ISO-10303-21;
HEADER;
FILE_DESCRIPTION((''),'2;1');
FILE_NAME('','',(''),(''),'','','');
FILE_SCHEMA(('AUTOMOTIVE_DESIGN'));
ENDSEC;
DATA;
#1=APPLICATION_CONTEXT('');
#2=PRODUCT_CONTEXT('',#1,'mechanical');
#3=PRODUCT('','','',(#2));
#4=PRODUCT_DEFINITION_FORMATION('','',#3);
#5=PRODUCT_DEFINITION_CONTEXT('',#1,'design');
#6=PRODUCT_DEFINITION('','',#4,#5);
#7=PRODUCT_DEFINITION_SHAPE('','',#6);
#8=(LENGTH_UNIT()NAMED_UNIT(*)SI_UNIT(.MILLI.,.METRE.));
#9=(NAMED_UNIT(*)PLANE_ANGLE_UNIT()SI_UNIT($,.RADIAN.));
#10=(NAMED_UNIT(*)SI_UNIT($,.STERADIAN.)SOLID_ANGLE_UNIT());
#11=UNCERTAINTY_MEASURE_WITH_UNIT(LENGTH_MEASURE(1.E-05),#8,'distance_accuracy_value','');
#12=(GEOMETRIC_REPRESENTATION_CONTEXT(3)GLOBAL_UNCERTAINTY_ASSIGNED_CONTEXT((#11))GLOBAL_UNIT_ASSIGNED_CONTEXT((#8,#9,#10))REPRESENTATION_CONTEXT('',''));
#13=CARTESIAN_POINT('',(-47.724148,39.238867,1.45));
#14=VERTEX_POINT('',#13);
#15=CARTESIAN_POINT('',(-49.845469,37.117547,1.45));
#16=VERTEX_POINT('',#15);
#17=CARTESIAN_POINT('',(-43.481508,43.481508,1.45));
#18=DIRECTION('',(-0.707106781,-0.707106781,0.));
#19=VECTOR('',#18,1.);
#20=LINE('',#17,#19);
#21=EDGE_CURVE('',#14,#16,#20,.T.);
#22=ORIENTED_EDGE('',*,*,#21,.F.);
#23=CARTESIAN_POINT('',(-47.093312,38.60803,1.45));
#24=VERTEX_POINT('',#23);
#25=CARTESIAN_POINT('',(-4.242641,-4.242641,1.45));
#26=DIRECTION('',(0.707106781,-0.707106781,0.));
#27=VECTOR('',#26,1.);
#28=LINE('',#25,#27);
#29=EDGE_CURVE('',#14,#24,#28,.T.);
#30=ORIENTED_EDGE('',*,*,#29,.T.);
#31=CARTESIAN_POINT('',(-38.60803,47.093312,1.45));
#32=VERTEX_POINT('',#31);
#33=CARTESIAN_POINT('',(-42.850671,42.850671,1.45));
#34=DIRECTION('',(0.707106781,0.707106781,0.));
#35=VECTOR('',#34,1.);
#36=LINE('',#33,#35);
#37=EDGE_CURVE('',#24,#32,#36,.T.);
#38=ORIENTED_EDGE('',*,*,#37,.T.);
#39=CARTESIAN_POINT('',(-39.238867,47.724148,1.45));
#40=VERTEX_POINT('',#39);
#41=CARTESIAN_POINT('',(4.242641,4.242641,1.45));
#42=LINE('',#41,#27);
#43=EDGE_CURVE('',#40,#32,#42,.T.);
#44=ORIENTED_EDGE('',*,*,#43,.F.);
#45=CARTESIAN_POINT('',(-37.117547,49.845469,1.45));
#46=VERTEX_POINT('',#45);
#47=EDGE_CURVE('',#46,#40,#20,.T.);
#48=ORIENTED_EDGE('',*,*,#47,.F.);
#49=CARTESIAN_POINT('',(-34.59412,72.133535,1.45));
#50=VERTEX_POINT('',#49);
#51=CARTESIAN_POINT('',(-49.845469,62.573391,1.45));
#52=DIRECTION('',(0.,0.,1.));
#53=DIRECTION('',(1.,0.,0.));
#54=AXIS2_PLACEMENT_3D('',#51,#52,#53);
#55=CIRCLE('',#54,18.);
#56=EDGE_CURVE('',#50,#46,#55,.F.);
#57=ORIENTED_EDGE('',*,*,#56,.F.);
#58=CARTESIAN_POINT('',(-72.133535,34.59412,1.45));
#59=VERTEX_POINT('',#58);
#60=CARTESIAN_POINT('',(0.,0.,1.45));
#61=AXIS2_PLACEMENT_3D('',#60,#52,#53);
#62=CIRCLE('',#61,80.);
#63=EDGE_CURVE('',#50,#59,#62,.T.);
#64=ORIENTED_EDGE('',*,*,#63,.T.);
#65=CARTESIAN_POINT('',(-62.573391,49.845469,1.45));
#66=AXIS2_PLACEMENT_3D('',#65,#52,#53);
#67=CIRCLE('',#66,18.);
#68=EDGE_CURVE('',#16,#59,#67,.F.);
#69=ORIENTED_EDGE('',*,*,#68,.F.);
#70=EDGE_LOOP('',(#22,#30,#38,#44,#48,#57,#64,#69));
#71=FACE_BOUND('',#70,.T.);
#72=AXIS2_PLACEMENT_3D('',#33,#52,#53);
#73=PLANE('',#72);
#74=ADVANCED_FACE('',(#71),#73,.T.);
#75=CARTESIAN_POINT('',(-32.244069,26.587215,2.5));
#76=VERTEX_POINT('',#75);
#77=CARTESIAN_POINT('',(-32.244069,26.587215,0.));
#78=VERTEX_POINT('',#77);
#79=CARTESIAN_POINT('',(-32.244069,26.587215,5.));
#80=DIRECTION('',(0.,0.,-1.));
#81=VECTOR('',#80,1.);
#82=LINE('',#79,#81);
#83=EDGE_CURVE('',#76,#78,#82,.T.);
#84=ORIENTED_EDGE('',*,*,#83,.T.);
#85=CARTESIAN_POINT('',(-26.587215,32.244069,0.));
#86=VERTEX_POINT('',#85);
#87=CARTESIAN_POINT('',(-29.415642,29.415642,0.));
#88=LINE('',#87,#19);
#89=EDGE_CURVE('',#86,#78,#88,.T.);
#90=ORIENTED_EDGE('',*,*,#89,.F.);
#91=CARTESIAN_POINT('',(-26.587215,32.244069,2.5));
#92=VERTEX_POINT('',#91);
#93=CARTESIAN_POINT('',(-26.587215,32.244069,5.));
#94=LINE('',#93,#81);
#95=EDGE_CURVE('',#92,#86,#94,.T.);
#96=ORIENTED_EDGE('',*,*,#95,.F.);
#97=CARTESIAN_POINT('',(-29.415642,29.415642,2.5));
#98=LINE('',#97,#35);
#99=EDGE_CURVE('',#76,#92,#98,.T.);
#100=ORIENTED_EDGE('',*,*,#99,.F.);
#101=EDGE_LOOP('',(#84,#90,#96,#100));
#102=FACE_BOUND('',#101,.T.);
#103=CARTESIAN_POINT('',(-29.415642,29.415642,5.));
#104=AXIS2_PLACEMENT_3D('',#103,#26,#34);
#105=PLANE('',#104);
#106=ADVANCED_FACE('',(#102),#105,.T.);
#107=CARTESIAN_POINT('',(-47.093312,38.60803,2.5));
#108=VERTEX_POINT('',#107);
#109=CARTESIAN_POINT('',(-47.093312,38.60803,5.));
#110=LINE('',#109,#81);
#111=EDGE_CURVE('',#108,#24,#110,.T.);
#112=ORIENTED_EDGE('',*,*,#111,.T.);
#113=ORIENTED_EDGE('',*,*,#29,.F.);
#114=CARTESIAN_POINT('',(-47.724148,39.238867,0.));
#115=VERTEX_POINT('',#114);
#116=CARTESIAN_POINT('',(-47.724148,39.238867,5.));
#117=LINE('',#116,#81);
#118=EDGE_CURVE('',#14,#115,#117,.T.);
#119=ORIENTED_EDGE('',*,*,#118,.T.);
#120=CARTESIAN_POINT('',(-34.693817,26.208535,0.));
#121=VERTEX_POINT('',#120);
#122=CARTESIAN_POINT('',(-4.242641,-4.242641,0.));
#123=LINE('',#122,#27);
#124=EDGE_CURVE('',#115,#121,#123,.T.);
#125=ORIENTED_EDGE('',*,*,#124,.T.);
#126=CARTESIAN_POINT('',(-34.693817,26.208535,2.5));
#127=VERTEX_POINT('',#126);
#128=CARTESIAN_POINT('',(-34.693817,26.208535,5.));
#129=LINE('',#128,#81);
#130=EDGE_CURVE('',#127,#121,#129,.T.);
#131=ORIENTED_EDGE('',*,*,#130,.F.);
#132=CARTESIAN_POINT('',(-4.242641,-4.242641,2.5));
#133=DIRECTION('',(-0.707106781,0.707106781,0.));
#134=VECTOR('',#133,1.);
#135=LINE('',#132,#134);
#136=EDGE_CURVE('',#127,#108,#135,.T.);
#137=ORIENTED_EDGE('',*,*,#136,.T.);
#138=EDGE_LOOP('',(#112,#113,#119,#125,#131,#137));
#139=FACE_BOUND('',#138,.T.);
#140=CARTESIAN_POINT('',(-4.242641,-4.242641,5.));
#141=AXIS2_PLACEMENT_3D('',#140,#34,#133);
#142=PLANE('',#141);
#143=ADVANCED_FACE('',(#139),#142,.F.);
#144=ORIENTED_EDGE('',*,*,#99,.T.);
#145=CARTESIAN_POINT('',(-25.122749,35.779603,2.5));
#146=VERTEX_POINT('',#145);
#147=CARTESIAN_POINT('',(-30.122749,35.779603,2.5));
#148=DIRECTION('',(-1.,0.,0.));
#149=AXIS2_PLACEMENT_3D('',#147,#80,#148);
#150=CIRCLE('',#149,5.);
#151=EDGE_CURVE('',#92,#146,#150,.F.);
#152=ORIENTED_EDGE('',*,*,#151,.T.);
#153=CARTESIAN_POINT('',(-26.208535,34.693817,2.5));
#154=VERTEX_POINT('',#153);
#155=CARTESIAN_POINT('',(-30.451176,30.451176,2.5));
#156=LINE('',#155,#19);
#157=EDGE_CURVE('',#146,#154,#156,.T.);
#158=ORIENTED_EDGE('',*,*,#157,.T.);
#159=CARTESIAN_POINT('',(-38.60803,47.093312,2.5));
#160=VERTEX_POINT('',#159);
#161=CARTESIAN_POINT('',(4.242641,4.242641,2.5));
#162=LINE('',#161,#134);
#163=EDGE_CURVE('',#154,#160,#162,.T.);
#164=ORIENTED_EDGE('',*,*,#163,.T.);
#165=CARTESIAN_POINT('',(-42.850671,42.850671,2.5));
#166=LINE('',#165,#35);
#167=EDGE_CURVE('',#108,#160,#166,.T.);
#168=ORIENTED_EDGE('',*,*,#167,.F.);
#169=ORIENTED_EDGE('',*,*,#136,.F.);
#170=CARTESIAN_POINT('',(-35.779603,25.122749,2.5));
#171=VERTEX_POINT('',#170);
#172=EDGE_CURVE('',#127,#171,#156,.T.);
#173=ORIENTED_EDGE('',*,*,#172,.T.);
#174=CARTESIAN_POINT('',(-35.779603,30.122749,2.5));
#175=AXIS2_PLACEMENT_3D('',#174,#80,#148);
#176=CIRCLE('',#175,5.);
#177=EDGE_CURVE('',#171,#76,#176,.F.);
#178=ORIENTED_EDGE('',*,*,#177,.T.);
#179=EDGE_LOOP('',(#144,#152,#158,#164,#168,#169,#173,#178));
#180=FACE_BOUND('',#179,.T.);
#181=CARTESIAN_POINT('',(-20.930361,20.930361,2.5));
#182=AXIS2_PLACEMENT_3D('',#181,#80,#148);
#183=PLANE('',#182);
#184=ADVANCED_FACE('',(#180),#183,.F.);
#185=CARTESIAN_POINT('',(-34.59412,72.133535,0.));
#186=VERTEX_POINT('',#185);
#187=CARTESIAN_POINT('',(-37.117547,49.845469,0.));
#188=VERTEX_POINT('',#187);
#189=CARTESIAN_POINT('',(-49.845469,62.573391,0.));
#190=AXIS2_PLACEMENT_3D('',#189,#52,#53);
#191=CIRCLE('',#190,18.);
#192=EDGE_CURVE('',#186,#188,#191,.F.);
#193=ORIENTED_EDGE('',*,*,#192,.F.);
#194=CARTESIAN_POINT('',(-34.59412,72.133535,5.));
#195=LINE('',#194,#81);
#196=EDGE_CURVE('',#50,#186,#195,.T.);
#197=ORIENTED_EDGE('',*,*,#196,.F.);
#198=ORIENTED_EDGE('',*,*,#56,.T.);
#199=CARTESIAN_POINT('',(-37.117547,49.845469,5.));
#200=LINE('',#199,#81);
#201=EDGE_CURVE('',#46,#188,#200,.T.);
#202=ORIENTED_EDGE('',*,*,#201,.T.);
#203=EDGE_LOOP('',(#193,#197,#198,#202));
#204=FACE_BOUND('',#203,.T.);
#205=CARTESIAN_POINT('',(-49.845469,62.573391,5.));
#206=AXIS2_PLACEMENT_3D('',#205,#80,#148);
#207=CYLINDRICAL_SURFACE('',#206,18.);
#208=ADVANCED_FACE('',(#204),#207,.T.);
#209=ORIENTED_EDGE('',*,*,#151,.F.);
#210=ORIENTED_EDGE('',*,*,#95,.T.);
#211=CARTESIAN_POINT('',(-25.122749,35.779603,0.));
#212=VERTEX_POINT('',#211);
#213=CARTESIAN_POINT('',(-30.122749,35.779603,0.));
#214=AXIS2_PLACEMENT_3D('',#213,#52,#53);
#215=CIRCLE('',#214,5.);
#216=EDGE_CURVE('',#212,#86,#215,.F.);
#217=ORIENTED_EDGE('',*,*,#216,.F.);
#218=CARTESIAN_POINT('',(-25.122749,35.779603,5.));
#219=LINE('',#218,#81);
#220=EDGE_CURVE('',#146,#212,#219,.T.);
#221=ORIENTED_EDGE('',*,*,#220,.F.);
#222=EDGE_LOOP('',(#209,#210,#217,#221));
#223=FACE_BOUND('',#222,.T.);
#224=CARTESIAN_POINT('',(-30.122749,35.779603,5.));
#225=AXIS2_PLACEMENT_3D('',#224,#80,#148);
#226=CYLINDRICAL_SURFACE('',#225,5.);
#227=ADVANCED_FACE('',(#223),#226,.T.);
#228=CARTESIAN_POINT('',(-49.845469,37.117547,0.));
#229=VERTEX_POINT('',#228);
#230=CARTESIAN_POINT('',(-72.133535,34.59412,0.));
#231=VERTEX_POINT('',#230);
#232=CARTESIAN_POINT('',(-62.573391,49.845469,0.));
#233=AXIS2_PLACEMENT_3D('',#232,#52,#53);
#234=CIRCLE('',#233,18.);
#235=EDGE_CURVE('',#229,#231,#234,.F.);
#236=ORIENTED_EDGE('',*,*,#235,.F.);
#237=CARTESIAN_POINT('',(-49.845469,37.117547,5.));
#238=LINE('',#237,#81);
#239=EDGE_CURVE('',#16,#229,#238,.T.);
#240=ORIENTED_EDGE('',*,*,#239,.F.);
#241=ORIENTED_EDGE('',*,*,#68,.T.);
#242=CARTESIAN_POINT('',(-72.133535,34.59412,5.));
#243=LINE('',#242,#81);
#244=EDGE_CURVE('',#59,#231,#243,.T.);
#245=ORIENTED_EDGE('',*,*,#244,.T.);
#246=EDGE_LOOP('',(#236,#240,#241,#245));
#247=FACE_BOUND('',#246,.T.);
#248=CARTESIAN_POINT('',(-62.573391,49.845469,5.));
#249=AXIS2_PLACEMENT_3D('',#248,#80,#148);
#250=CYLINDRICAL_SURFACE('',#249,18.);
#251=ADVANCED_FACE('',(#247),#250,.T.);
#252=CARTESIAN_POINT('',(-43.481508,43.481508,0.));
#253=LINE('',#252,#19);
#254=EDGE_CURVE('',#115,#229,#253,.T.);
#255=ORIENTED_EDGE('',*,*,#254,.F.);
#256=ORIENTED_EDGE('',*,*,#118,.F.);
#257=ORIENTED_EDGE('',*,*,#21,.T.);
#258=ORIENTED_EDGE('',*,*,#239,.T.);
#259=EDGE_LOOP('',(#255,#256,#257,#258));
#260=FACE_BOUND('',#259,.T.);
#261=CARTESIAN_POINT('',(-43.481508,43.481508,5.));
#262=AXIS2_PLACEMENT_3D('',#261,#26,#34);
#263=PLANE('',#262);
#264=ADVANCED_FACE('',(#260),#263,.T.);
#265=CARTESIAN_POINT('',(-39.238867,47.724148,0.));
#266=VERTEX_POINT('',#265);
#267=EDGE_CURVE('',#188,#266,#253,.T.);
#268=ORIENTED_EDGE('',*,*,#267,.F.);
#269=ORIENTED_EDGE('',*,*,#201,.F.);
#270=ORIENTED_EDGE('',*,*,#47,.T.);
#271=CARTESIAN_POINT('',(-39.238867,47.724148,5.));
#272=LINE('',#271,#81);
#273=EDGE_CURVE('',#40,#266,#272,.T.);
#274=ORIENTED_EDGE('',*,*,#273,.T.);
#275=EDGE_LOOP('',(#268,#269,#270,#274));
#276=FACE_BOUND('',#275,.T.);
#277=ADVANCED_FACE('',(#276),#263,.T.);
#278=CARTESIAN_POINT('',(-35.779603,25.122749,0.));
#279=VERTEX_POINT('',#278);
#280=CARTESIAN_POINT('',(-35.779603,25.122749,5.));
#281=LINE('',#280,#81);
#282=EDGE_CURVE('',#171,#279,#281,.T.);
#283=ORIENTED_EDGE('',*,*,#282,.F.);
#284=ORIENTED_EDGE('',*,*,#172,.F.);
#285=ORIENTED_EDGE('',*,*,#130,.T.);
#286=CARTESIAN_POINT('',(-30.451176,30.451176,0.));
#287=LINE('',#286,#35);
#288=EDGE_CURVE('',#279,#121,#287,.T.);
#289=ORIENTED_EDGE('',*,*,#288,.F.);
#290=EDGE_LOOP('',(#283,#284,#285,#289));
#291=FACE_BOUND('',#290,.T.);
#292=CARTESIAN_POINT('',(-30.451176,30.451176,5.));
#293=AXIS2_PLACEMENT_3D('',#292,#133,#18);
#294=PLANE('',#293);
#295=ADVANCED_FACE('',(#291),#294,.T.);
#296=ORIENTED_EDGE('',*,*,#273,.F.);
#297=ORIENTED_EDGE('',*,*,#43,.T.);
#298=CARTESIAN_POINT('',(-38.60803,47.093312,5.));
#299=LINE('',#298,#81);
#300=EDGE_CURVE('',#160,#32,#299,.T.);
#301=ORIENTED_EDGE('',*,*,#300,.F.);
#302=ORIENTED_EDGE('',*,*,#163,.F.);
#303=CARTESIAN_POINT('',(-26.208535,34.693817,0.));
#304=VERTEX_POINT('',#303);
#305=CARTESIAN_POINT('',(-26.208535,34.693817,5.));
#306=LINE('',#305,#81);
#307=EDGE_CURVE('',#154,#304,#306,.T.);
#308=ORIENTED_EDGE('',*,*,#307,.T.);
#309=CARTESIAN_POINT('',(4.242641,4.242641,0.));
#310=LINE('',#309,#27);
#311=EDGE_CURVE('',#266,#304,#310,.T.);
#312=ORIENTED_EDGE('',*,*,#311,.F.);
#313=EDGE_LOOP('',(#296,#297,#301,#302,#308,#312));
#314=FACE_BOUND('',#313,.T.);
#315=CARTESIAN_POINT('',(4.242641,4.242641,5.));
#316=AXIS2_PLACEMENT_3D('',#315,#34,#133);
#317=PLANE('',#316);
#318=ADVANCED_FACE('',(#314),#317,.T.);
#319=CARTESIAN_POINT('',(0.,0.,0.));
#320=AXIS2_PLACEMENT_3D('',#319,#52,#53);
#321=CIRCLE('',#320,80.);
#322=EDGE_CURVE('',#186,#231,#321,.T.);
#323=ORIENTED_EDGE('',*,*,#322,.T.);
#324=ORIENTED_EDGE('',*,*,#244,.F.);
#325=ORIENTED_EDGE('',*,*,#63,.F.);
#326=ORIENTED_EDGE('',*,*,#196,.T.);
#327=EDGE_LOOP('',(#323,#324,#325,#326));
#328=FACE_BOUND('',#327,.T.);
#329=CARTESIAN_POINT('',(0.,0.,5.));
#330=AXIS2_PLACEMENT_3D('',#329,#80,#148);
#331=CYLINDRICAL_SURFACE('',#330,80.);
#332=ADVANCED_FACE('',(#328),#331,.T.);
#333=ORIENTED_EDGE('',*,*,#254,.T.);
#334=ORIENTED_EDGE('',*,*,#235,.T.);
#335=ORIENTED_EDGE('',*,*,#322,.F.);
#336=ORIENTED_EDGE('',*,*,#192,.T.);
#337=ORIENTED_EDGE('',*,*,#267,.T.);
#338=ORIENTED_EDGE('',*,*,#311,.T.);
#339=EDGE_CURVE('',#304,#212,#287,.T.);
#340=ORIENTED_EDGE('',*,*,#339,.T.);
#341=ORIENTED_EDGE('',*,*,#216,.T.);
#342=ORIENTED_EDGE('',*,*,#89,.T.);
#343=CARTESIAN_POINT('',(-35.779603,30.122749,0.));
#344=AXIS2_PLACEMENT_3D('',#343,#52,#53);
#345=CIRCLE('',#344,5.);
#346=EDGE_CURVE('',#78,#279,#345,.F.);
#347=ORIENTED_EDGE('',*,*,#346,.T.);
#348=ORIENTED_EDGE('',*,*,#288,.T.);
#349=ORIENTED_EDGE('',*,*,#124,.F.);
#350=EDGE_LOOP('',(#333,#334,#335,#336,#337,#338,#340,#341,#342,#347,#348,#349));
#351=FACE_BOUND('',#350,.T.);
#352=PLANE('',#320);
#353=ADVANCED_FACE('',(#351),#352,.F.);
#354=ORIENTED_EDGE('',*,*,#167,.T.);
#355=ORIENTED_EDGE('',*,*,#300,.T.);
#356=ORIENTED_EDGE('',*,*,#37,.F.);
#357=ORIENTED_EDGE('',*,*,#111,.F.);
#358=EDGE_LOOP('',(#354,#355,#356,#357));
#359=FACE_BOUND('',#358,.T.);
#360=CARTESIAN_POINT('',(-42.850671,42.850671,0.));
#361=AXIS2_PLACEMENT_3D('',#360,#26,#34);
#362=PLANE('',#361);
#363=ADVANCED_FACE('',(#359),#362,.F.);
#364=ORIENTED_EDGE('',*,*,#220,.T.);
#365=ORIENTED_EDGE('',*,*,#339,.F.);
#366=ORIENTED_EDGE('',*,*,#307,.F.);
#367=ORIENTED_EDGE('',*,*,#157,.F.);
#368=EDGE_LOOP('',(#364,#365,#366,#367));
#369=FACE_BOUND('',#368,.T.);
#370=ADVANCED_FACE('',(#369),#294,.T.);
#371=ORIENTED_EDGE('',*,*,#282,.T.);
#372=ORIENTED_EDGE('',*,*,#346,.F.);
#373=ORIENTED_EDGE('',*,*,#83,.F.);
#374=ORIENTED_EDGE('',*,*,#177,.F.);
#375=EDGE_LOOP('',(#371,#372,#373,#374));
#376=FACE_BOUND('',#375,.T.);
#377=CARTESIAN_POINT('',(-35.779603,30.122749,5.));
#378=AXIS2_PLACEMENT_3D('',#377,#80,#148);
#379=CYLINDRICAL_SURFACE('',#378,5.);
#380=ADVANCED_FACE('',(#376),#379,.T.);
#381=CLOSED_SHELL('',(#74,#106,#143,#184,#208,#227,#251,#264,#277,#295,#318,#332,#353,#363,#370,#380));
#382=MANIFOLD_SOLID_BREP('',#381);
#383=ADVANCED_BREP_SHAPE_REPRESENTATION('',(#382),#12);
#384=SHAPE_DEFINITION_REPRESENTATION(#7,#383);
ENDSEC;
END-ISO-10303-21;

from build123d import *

# Parameters (mm, degrees)
BOSS_EXTRUDE2_DEPTH = 5
CUT_EXTRUDE1_START  = 5
SKETCH3_W           = 19.008841094
SKETCH3_H           = 2.1
SKETCH3_W_2         = 12
SKETCH3_W_3         = 1.535533906
SKETCH3_W_4         = 1.464466094
SKETCH3_W_5         = 17.544375
CUT_EXTRUDE1_DEPTH  = 16
CUT_EXTRUDE2_DEPTH  = 52
SKETCH5_W           = 1.05
SKETCH5_H           = 46.149322856
CUT_EXTRUDE3_DEPTH  = 10


with BuildPart() as part:
    # Sketch1 → Boss-Extrude2 (new body)
    with BuildSketch(Plane.XY):
        Polygon((-39.238867065, 47.72414844), (-47.72414844, 39.238867065), (-34.69381669, 26.208535316), (-26.208535316, 34.69381669), align=None)
        with BuildLine():
            ThreePointArc((-49.845468783, 62.573390845), (-56.568542495, 56.568542495), (-62.573390845, 49.845468783))
            Line((-62.573390845, 49.845468783), (-49.845468783, 37.117546722))
            Line((-49.845468783, 37.117546722), (-47.72414844, 39.238867065))
            Line((-47.72414844, 39.238867065), (-39.238867065, 47.72414844))
            Line((-39.238867065, 47.72414844), (-37.117546722, 49.845468783))
            Line((-37.117546722, 49.845468783), (-49.845468783, 62.573390845))
        make_face()
        with BuildLine():
            ThreePointArc((-34.594119865, 72.133534994), (-42.489529555, 67.783772971), (-49.845468783, 62.573390845))
            Line((-49.845468783, 62.573390845), (-37.117546722, 49.845468783))
            ThreePointArc((-37.117546722, 49.845468783), (-31.959737739, 60.548390845), (-34.594119865, 72.133534994))
        make_face()
        with BuildLine():
            ThreePointArc((-62.573390845, 49.845468783), (-67.783772971, 42.489529555), (-72.133534994, 34.594119865))
            ThreePointArc((-72.133534994, 34.594119865), (-60.548390845, 31.959737739), (-49.845468783, 37.117546722))
            Line((-49.845468783, 37.117546722), (-62.573390845, 49.845468783))
        make_face()
        with BuildLine():
            Line((-34.69381669, 26.208535316), (-35.779603128, 25.122748879))
            ThreePointArc((-35.779603128, 25.122748879), (-33.866185966, 25.503351216), (-32.244069222, 26.587214973))
            Line((-32.244069222, 26.587214973), (-26.587214973, 32.244069222))
            ThreePointArc((-26.587214973, 32.244069222), (-25.503351216, 33.866185966), (-25.122748879, 35.779603128))
            Line((-25.122748879, 35.779603128), (-26.208535316, 34.69381669))
            Line((-26.208535316, 34.69381669), (-34.69381669, 26.208535316))
        make_face()
    extrude(amount=BOSS_EXTRUDE2_DEPTH)

    # Sketch3 → Cut-Extrude1 (cut)
    with BuildSketch(Plane(origin=(-57.699913345, 57.699913345, 0), x_dir=(-0.707106781186549, -0.7071067811865461, 0), z_dir=(0.7071067811865461, -0.707106781186549, 0)).offset(CUT_EXTRUDE1_START)):
        with Locations((-17.039954453, -2.5)):
            Rectangle(SKETCH3_W, SKETCH3_H)
        with Locations((0, -2.5)):
            Rectangle(SKETCH3_W_2, SKETCH3_H)
        with Locations((-6.767766953, -2.5)):
            Rectangle(SKETCH3_W_3, SKETCH3_H)
        with Locations((6.767766953, -2.5)):
            Rectangle(SKETCH3_W_3, SKETCH3_H)
        with Locations((8.267766953, -2.5)):
            Rectangle(SKETCH3_W_4, SKETCH3_H)
        with Locations((17.7721875, -2.5)):
            Rectangle(SKETCH3_W_5, SKETCH3_H)
    extrude(amount=CUT_EXTRUDE1_DEPTH, mode=Mode.SUBTRACT)

    # Sketch4 → Cut-Extrude2 (cut)
    with BuildSketch(Plane(origin=(-57.699913345, 57.699913345, 0), x_dir=(-0.707106781186549, -0.7071067811865461, 0), z_dir=(0.7071067811865461, -0.707106781186549, 0))):
        Polygon((-7.535533906, -2.5), (27.054152634, -2.5), (27.054152634, -6.972921607), (-28.074504585, -6.972921607), (-28.074504585, -2.5), align=None)
    extrude(amount=CUT_EXTRUDE2_DEPTH, mode=Mode.SUBTRACT)

    # Sketch5 → Cut-Extrude3 (cut)
    with BuildSketch(Plane(origin=(-54.164379439, 54.164379439, 0), x_dir=(0, 0, -1), z_dir=(0.7071067811865461, -0.7071067811865489, 0))):
        with Locations((-1.975, 0)):
            Rectangle(SKETCH5_W, SKETCH5_H)
    extrude(amount=-CUT_EXTRUDE3_DEPTH, mode=Mode.SUBTRACT)


solid = part.part
